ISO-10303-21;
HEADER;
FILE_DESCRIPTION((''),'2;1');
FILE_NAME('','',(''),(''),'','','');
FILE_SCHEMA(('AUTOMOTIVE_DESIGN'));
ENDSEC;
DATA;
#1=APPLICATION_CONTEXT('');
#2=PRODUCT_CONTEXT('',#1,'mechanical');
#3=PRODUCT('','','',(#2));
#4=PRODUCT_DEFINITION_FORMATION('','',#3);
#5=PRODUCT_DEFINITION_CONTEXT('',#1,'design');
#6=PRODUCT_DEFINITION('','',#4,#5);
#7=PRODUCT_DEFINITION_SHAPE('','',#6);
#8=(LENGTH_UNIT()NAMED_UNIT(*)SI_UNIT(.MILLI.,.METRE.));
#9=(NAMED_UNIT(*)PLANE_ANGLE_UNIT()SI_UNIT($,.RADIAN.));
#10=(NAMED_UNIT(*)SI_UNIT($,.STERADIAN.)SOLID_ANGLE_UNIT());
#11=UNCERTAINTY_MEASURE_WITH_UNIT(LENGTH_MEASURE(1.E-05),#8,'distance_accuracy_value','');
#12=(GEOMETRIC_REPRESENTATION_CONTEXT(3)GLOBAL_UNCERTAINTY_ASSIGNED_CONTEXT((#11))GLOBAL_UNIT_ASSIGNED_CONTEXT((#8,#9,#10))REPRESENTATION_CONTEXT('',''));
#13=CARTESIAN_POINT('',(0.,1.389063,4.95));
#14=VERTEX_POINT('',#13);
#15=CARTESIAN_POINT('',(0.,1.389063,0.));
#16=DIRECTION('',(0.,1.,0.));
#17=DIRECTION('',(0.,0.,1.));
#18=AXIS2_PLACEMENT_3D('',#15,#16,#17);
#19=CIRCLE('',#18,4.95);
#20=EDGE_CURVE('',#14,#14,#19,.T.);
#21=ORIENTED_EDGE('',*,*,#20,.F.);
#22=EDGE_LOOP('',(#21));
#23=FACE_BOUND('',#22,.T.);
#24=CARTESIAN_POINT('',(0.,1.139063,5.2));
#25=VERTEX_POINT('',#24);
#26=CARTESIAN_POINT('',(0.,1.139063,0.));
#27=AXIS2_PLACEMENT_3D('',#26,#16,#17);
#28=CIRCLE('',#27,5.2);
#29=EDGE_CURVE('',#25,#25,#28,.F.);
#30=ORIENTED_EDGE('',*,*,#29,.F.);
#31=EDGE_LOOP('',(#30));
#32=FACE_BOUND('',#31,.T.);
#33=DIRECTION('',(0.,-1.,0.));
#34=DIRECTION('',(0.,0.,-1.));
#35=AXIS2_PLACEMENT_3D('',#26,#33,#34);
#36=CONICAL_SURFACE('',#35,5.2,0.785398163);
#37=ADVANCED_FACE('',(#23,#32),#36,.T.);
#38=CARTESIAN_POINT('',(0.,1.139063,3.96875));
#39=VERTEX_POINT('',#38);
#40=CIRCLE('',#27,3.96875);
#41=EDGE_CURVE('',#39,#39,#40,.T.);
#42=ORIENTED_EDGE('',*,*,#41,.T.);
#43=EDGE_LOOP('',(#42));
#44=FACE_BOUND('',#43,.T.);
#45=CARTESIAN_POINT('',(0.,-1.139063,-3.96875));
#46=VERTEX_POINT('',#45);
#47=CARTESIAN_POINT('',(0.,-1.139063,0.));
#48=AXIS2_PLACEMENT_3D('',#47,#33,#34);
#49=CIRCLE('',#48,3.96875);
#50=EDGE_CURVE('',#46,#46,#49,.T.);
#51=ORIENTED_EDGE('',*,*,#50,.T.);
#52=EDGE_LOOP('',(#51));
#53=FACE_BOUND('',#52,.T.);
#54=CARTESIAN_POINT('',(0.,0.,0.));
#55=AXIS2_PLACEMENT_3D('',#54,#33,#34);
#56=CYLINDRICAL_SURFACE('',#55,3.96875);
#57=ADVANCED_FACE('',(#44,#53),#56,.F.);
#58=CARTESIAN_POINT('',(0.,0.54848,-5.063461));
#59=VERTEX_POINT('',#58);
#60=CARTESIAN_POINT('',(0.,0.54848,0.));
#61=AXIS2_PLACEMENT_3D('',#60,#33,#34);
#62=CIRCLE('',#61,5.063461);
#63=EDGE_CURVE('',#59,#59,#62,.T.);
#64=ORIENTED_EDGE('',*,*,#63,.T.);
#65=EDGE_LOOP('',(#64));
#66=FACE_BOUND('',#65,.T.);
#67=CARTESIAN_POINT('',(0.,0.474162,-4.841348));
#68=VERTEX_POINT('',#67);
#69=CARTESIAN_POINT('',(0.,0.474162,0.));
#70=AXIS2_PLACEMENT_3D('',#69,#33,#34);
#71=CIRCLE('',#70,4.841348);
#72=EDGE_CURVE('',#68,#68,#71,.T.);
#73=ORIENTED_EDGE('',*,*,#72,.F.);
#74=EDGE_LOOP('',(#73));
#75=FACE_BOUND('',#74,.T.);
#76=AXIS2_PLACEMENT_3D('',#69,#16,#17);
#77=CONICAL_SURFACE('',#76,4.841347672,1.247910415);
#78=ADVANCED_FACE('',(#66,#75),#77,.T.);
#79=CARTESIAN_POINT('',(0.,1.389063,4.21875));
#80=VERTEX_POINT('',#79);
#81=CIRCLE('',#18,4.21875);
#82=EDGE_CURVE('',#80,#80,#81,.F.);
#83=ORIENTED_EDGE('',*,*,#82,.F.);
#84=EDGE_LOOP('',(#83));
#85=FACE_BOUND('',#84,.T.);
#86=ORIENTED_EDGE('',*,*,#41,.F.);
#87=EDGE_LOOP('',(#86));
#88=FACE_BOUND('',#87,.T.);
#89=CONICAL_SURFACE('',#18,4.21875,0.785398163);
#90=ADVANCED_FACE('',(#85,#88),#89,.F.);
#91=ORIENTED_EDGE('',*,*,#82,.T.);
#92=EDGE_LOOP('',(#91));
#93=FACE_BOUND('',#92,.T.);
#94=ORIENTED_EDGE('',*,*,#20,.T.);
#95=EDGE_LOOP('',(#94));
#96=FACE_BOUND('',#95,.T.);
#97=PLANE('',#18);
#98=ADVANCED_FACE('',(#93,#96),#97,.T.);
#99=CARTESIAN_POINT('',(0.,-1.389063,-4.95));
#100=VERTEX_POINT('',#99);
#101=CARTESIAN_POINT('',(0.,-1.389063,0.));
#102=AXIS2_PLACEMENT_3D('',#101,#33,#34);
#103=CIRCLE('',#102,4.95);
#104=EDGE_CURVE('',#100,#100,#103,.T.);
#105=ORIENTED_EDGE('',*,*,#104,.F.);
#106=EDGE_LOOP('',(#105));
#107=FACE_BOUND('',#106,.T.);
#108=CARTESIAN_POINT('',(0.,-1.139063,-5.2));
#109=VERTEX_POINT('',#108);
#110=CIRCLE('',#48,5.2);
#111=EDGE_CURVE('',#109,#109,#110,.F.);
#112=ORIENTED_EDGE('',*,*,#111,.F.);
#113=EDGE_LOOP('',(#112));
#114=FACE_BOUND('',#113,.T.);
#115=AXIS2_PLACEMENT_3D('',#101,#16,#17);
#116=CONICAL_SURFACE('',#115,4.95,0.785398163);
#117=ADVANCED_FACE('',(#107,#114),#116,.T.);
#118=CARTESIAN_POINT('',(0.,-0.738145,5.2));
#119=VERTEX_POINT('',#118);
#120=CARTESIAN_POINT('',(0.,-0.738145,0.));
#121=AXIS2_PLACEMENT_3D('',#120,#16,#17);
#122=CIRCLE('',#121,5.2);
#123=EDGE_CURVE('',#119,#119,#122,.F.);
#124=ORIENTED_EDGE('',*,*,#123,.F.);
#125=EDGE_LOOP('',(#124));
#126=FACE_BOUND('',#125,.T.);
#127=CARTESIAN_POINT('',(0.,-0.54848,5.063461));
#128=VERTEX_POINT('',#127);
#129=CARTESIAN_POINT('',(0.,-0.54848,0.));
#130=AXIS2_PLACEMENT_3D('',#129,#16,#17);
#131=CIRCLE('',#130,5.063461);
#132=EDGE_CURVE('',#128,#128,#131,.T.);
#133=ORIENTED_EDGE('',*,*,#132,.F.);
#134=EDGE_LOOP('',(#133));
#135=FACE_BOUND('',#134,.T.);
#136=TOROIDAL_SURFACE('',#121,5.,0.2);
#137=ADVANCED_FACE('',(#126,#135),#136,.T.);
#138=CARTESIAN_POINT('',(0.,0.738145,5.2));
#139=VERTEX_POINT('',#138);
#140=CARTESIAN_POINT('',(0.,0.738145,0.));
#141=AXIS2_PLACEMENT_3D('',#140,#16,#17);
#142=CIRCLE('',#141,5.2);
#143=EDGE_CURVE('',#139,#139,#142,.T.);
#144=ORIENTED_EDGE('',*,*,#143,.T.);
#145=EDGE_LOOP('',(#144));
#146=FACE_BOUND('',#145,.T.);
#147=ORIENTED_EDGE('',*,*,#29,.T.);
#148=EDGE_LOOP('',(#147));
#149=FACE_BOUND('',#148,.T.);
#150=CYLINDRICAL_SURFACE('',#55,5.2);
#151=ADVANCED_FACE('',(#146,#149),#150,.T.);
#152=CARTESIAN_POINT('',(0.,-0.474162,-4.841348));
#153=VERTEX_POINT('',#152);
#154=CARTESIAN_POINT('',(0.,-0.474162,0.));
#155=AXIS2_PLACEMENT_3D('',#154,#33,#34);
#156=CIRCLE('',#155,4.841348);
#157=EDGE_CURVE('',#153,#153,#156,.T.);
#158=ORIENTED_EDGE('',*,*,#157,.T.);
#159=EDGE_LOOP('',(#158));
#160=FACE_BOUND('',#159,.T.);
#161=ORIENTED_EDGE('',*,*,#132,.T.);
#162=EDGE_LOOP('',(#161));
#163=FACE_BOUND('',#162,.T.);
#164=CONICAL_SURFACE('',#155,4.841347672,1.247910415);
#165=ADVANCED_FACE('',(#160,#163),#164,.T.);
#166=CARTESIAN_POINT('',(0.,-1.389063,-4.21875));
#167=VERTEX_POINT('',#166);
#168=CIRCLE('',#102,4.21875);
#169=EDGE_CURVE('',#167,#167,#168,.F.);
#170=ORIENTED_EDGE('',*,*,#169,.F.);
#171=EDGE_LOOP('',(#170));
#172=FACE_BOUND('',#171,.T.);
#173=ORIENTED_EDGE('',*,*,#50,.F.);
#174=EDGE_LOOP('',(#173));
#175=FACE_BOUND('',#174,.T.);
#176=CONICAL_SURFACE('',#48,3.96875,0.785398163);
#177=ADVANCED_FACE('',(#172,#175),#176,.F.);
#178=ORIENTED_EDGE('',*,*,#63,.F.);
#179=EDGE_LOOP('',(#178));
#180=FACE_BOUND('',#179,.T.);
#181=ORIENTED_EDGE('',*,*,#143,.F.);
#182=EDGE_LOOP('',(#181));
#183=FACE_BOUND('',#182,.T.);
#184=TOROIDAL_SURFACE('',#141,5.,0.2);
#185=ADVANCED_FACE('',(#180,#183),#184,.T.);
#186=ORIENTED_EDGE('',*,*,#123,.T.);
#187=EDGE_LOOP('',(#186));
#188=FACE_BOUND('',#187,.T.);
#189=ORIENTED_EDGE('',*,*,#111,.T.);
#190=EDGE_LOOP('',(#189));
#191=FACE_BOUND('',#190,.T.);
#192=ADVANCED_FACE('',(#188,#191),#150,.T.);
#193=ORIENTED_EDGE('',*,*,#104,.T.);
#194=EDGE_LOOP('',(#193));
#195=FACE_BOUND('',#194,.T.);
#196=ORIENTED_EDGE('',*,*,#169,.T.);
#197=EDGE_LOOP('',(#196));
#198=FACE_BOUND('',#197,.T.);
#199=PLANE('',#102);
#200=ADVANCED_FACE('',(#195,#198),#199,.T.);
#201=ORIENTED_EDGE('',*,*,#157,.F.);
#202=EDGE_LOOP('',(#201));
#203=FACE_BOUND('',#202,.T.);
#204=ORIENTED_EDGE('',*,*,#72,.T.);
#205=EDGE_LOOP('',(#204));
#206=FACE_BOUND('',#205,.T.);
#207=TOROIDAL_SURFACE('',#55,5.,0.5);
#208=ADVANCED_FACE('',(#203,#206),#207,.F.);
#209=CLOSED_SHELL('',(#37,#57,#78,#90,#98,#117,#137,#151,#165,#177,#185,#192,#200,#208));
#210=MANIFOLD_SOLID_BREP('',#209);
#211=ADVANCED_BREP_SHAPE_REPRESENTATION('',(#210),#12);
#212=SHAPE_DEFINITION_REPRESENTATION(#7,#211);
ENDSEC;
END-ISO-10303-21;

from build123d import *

# Parameters (mm, degrees)
CHAMFER1_SIZE = 0.25
FILLET1_R     = 0.2


with BuildPart() as part:
    # Sketch1 → Revolve1 (revolve)
    with BuildSketch(Plane.XY):
        with BuildLine():
            Line((3.96875, 1.3890625), (3.96875, -1.3890625))
            Line((3.96875, -1.3890625), (5.2, -1.3890625))
            Line((5.2, -1.3890625), (5.2, -0.594165218))
            Line((5.2, -0.594165218), (4.841347672, -0.474161828))
            ThreePointArc((4.841347672, -0.474161828), (4.5, 0), (4.841347672, 0.474161828))
            Line((4.841347672, 0.474161828), (5.2, 0.594165218))
            Line((5.2, 0.594165218), (5.2, 1.3890625))
            Line((5.2, 1.3890625), (3.96875, 1.3890625))
        make_face()
    revolve(axis=Axis((0, 0, 0), (0, 1, 0)))

    # Chamfer1
    chamfer1_edges = [part.edges().sort_by_distance(p)[0] for p in [
        (-3.96875, 1.3890625, 0),
        (-5.2, 1.3890625, 0),
        (-5.2, -1.3890625, 0),
        (-3.96875, -1.3890625, 0),
    ]]
    chamfer(chamfer1_edges, length=CHAMFER1_SIZE)

    # Fillet1
    fillet1_edges = [part.edges().sort_by_distance(p)[0] for p in [
        (-5.2, 0.594165218, 0),
        (-5.2, -0.594165218, 0),
    ]]
    fillet(fillet1_edges, radius=FILLET1_R)


solid = part.part
